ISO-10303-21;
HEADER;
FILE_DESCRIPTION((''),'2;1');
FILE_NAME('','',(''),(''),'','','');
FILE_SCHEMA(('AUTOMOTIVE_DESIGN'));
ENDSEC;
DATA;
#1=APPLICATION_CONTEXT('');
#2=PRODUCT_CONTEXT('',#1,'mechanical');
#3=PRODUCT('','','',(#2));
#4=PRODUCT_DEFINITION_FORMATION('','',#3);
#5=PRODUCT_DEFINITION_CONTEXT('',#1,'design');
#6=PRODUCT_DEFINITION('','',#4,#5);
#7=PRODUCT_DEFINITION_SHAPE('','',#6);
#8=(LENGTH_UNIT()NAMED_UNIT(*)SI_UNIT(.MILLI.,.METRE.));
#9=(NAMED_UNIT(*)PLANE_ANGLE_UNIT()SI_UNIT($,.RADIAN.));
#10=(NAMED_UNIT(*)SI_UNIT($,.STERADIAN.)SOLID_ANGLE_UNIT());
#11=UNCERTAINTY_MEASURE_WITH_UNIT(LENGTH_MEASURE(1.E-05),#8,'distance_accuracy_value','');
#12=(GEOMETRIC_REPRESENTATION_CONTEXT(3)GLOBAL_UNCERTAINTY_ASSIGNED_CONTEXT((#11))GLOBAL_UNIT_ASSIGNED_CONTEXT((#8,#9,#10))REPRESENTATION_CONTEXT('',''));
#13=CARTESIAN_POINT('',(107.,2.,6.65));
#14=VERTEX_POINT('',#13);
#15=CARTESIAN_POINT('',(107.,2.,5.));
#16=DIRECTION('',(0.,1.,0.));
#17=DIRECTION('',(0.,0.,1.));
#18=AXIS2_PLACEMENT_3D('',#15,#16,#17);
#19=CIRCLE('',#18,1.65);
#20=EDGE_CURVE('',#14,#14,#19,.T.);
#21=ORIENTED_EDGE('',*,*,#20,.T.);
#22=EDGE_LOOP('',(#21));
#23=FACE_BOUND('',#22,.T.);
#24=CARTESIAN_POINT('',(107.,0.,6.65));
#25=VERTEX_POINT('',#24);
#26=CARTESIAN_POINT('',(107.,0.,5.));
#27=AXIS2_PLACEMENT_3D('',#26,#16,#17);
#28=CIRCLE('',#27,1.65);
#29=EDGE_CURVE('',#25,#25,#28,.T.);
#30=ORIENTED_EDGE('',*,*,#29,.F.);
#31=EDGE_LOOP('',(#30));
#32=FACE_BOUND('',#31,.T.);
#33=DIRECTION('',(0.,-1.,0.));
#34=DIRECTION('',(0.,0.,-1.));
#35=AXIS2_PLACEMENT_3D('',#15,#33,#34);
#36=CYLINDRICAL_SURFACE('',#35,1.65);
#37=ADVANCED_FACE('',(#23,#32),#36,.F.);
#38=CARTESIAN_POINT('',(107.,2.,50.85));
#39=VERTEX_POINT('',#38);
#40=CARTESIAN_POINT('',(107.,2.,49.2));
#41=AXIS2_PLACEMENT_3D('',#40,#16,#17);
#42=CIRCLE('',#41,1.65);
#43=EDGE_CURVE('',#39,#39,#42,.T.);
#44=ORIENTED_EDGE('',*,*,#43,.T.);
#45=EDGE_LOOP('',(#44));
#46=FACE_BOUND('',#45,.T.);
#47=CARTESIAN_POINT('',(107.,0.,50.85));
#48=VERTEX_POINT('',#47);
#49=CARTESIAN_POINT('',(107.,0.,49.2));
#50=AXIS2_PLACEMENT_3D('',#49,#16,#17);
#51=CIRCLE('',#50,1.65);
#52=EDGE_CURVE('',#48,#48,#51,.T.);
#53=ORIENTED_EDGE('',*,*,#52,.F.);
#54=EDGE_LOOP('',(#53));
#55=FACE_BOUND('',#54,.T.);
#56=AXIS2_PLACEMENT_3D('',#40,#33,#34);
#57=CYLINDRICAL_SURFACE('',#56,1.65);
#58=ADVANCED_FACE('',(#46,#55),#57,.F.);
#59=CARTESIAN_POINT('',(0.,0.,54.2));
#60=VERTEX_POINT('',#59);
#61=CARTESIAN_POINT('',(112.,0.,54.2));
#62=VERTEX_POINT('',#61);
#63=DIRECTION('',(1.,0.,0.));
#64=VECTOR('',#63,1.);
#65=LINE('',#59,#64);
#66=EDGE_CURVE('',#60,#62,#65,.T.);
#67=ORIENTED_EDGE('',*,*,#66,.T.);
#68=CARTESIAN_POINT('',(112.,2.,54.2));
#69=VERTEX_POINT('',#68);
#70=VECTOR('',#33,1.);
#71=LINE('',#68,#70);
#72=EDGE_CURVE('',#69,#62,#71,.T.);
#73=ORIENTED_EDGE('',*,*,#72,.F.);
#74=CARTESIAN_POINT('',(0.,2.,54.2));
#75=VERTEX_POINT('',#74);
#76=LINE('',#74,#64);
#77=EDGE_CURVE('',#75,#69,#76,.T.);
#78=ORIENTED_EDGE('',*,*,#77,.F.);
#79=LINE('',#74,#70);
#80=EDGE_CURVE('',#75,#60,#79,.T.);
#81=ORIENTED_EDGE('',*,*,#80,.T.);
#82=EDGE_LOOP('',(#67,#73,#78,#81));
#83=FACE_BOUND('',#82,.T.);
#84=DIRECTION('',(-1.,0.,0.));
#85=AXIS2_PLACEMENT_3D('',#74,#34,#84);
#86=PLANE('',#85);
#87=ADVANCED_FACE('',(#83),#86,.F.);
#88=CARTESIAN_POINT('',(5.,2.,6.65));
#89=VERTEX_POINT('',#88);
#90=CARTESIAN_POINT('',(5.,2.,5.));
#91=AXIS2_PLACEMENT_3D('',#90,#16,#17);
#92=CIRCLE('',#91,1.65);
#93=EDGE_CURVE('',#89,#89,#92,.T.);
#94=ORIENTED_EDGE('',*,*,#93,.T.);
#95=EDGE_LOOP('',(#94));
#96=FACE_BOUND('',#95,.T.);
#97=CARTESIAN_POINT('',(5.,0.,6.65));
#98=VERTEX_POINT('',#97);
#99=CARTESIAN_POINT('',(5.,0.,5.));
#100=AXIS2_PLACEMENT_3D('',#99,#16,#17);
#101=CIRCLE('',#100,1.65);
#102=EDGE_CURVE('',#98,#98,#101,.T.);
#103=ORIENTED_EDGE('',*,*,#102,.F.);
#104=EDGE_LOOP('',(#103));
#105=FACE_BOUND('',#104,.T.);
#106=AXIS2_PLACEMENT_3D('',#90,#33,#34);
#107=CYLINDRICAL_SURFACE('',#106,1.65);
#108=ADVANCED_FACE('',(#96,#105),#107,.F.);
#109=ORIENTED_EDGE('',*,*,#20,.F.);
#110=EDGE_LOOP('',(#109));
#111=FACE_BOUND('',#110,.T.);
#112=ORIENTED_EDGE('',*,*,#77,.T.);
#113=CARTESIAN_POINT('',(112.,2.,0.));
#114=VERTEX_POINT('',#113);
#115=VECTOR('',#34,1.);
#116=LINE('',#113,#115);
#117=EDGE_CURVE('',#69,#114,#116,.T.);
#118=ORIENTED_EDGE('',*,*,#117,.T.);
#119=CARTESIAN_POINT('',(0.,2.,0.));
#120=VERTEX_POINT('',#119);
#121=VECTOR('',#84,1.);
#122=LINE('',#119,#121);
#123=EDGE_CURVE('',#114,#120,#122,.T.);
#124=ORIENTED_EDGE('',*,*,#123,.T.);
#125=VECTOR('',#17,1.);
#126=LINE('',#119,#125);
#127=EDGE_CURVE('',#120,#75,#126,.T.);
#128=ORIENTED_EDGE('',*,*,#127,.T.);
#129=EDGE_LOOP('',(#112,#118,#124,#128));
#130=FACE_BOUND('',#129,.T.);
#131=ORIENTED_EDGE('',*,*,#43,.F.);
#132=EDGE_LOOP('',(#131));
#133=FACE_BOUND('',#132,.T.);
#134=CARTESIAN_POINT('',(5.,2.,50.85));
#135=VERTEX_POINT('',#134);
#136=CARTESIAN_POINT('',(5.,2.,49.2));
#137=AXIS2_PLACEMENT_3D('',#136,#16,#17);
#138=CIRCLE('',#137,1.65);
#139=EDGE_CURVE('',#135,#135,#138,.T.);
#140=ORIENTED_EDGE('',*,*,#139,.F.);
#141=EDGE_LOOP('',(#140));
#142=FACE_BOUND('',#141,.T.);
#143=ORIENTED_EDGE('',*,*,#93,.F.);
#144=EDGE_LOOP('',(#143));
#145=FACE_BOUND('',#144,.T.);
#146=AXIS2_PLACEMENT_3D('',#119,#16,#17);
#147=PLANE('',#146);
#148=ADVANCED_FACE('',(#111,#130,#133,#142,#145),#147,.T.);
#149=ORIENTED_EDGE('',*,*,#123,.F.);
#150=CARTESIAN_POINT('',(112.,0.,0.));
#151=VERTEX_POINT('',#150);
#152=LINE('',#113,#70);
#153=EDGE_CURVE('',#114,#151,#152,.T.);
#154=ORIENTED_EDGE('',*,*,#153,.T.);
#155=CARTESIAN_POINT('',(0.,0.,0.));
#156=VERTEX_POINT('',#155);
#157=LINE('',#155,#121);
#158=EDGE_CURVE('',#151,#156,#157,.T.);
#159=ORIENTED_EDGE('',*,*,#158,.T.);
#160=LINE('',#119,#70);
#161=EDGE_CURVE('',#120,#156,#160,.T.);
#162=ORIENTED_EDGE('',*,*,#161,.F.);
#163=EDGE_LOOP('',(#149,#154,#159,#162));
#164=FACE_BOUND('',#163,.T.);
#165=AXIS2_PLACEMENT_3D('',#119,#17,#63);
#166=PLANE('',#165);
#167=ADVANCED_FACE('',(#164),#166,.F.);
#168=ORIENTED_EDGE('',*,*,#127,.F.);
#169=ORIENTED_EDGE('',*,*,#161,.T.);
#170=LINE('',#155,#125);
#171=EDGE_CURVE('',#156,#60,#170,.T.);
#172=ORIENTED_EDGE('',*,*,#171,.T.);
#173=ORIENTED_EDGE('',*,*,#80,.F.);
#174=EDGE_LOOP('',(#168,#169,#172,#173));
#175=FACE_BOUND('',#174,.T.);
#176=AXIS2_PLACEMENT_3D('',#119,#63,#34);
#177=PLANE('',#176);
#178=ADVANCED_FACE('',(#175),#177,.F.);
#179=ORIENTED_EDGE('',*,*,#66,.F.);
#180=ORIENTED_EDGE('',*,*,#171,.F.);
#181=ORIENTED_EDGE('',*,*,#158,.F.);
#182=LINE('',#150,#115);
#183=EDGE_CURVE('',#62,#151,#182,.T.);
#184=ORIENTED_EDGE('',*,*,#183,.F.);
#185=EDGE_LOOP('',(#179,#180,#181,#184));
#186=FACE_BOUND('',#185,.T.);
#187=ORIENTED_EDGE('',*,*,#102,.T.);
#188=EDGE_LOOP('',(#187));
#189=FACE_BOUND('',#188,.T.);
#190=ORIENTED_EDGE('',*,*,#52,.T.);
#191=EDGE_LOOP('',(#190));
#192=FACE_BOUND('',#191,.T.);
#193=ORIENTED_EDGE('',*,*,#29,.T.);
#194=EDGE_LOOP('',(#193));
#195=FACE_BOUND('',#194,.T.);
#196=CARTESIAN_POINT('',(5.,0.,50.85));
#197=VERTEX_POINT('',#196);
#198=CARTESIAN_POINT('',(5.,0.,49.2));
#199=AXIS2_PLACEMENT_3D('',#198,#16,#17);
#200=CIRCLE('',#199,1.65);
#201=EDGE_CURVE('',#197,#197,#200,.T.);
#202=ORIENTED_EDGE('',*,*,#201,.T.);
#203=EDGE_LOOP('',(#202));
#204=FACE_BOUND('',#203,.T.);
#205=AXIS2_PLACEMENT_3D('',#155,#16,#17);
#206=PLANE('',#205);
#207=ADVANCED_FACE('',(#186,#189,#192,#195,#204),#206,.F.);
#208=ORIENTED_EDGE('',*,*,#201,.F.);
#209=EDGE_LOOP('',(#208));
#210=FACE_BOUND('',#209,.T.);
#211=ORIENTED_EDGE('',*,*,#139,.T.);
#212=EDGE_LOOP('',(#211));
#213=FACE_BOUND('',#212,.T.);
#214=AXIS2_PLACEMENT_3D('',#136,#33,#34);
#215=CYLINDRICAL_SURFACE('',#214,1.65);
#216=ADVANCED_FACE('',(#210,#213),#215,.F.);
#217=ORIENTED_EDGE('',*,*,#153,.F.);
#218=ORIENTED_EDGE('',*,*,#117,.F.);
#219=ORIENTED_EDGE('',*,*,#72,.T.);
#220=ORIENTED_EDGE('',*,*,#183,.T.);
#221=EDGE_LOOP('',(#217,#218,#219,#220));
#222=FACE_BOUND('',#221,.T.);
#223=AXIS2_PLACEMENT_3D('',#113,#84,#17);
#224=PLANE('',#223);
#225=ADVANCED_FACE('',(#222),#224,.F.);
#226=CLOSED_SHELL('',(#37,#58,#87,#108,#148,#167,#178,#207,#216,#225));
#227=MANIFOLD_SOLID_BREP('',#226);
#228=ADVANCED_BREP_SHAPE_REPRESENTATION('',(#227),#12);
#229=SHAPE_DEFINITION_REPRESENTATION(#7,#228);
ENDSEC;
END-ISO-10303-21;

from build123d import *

# Parameters (mm, degrees)
SKETCH_1_W      = 112
SKETCH_1_H      = 54.2
SKETCH_1_R      = 1.65
EXTRUDE_1_DEPTH = 2


with BuildPart() as part:
    # 草图1 → 凸台-拉伸1 (new body)
    with BuildSketch(Plane(origin=(0, 0, 0), x_dir=(1, 0, 0), z_dir=(0, 1, 0))):
        with Locations((56, -27.1)):
            Rectangle(SKETCH_1_W, SKETCH_1_H)
        with Locations(Location((5, -5, 0), (0, 0, 270))):
            Circle(SKETCH_1_R, mode=Mode.SUBTRACT)
        with Locations(Location((107, -5, 0), (0, 0, 270))):
            Circle(SKETCH_1_R, mode=Mode.SUBTRACT)
        with Locations(Location((107, -49.2, 0), (0, 0, 270))):
            Circle(SKETCH_1_R, mode=Mode.SUBTRACT)
        with Locations(Location((5, -49.2, 0), (0, 0, 270))):
            Circle(SKETCH_1_R, mode=Mode.SUBTRACT)
    extrude(amount=EXTRUDE_1_DEPTH)


solid = part.part
